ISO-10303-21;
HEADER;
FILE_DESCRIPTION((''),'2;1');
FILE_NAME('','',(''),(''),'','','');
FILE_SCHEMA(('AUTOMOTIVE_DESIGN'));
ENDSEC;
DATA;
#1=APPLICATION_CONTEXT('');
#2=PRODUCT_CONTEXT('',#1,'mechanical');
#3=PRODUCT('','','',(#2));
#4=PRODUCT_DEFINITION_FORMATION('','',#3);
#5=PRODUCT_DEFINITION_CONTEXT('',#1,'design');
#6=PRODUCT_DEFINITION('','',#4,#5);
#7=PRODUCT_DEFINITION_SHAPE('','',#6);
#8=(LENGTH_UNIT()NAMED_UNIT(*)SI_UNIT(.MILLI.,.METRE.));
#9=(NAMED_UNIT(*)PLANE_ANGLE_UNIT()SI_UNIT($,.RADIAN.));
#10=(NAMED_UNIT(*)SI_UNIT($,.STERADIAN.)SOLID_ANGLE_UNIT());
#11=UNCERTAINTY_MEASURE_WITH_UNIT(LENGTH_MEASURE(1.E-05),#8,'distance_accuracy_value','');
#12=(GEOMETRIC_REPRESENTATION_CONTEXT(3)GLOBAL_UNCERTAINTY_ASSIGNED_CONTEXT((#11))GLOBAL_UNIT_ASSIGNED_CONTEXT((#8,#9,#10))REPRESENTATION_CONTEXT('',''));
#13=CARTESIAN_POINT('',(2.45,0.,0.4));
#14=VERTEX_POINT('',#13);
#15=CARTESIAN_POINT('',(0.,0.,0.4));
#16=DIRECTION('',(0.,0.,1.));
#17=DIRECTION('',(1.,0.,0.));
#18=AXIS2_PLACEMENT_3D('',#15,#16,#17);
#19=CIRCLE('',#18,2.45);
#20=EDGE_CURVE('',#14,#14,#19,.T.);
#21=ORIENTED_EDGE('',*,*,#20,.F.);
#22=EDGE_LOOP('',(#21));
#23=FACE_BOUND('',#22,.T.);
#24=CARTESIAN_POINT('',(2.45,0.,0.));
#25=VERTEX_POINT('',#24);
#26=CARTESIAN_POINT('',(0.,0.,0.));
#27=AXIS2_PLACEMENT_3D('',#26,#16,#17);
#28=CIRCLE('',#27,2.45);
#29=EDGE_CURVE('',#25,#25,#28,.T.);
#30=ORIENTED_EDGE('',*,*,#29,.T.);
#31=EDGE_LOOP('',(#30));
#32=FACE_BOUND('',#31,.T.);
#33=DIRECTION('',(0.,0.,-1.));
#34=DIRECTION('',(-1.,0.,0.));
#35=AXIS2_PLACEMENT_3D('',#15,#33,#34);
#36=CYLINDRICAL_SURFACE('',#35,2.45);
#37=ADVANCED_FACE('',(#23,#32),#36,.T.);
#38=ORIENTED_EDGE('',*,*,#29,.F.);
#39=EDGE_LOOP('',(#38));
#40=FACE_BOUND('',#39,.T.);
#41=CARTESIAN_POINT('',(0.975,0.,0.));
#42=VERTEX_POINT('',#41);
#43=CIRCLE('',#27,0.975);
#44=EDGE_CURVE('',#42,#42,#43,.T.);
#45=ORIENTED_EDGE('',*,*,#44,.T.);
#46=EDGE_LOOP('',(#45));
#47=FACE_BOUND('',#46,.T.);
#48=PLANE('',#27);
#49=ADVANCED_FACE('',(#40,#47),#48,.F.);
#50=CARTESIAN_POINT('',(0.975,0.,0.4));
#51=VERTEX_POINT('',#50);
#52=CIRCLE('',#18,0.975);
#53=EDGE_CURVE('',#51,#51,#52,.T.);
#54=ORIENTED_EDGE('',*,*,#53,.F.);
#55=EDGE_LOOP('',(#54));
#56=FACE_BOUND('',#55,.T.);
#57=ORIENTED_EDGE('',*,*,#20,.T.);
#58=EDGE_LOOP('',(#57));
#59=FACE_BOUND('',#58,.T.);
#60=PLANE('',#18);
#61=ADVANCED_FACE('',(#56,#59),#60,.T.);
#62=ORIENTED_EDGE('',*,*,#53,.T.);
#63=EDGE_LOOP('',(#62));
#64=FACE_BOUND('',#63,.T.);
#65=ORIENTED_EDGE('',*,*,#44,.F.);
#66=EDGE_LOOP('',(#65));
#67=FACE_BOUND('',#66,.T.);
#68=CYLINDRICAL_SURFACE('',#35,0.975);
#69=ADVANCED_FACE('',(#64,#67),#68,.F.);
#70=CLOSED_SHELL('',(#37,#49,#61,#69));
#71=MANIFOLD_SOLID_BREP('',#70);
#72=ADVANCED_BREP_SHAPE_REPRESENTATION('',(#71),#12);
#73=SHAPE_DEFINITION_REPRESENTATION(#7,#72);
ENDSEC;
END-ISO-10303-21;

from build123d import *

# Parameters (mm, degrees)
SKETCH1_R           = 2.45
SKETCH1_R_2         = 0.975
BOSS_EXTRUDE1_DEPTH = 0.4


with BuildPart() as part:
    # Sketch1 → Boss-Extrude1 (new body)
    with BuildSketch(Plane.XY):
        Circle(SKETCH1_R)
        Circle(SKETCH1_R_2, mode=Mode.SUBTRACT)
    extrude(amount=BOSS_EXTRUDE1_DEPTH)


solid = part.part
